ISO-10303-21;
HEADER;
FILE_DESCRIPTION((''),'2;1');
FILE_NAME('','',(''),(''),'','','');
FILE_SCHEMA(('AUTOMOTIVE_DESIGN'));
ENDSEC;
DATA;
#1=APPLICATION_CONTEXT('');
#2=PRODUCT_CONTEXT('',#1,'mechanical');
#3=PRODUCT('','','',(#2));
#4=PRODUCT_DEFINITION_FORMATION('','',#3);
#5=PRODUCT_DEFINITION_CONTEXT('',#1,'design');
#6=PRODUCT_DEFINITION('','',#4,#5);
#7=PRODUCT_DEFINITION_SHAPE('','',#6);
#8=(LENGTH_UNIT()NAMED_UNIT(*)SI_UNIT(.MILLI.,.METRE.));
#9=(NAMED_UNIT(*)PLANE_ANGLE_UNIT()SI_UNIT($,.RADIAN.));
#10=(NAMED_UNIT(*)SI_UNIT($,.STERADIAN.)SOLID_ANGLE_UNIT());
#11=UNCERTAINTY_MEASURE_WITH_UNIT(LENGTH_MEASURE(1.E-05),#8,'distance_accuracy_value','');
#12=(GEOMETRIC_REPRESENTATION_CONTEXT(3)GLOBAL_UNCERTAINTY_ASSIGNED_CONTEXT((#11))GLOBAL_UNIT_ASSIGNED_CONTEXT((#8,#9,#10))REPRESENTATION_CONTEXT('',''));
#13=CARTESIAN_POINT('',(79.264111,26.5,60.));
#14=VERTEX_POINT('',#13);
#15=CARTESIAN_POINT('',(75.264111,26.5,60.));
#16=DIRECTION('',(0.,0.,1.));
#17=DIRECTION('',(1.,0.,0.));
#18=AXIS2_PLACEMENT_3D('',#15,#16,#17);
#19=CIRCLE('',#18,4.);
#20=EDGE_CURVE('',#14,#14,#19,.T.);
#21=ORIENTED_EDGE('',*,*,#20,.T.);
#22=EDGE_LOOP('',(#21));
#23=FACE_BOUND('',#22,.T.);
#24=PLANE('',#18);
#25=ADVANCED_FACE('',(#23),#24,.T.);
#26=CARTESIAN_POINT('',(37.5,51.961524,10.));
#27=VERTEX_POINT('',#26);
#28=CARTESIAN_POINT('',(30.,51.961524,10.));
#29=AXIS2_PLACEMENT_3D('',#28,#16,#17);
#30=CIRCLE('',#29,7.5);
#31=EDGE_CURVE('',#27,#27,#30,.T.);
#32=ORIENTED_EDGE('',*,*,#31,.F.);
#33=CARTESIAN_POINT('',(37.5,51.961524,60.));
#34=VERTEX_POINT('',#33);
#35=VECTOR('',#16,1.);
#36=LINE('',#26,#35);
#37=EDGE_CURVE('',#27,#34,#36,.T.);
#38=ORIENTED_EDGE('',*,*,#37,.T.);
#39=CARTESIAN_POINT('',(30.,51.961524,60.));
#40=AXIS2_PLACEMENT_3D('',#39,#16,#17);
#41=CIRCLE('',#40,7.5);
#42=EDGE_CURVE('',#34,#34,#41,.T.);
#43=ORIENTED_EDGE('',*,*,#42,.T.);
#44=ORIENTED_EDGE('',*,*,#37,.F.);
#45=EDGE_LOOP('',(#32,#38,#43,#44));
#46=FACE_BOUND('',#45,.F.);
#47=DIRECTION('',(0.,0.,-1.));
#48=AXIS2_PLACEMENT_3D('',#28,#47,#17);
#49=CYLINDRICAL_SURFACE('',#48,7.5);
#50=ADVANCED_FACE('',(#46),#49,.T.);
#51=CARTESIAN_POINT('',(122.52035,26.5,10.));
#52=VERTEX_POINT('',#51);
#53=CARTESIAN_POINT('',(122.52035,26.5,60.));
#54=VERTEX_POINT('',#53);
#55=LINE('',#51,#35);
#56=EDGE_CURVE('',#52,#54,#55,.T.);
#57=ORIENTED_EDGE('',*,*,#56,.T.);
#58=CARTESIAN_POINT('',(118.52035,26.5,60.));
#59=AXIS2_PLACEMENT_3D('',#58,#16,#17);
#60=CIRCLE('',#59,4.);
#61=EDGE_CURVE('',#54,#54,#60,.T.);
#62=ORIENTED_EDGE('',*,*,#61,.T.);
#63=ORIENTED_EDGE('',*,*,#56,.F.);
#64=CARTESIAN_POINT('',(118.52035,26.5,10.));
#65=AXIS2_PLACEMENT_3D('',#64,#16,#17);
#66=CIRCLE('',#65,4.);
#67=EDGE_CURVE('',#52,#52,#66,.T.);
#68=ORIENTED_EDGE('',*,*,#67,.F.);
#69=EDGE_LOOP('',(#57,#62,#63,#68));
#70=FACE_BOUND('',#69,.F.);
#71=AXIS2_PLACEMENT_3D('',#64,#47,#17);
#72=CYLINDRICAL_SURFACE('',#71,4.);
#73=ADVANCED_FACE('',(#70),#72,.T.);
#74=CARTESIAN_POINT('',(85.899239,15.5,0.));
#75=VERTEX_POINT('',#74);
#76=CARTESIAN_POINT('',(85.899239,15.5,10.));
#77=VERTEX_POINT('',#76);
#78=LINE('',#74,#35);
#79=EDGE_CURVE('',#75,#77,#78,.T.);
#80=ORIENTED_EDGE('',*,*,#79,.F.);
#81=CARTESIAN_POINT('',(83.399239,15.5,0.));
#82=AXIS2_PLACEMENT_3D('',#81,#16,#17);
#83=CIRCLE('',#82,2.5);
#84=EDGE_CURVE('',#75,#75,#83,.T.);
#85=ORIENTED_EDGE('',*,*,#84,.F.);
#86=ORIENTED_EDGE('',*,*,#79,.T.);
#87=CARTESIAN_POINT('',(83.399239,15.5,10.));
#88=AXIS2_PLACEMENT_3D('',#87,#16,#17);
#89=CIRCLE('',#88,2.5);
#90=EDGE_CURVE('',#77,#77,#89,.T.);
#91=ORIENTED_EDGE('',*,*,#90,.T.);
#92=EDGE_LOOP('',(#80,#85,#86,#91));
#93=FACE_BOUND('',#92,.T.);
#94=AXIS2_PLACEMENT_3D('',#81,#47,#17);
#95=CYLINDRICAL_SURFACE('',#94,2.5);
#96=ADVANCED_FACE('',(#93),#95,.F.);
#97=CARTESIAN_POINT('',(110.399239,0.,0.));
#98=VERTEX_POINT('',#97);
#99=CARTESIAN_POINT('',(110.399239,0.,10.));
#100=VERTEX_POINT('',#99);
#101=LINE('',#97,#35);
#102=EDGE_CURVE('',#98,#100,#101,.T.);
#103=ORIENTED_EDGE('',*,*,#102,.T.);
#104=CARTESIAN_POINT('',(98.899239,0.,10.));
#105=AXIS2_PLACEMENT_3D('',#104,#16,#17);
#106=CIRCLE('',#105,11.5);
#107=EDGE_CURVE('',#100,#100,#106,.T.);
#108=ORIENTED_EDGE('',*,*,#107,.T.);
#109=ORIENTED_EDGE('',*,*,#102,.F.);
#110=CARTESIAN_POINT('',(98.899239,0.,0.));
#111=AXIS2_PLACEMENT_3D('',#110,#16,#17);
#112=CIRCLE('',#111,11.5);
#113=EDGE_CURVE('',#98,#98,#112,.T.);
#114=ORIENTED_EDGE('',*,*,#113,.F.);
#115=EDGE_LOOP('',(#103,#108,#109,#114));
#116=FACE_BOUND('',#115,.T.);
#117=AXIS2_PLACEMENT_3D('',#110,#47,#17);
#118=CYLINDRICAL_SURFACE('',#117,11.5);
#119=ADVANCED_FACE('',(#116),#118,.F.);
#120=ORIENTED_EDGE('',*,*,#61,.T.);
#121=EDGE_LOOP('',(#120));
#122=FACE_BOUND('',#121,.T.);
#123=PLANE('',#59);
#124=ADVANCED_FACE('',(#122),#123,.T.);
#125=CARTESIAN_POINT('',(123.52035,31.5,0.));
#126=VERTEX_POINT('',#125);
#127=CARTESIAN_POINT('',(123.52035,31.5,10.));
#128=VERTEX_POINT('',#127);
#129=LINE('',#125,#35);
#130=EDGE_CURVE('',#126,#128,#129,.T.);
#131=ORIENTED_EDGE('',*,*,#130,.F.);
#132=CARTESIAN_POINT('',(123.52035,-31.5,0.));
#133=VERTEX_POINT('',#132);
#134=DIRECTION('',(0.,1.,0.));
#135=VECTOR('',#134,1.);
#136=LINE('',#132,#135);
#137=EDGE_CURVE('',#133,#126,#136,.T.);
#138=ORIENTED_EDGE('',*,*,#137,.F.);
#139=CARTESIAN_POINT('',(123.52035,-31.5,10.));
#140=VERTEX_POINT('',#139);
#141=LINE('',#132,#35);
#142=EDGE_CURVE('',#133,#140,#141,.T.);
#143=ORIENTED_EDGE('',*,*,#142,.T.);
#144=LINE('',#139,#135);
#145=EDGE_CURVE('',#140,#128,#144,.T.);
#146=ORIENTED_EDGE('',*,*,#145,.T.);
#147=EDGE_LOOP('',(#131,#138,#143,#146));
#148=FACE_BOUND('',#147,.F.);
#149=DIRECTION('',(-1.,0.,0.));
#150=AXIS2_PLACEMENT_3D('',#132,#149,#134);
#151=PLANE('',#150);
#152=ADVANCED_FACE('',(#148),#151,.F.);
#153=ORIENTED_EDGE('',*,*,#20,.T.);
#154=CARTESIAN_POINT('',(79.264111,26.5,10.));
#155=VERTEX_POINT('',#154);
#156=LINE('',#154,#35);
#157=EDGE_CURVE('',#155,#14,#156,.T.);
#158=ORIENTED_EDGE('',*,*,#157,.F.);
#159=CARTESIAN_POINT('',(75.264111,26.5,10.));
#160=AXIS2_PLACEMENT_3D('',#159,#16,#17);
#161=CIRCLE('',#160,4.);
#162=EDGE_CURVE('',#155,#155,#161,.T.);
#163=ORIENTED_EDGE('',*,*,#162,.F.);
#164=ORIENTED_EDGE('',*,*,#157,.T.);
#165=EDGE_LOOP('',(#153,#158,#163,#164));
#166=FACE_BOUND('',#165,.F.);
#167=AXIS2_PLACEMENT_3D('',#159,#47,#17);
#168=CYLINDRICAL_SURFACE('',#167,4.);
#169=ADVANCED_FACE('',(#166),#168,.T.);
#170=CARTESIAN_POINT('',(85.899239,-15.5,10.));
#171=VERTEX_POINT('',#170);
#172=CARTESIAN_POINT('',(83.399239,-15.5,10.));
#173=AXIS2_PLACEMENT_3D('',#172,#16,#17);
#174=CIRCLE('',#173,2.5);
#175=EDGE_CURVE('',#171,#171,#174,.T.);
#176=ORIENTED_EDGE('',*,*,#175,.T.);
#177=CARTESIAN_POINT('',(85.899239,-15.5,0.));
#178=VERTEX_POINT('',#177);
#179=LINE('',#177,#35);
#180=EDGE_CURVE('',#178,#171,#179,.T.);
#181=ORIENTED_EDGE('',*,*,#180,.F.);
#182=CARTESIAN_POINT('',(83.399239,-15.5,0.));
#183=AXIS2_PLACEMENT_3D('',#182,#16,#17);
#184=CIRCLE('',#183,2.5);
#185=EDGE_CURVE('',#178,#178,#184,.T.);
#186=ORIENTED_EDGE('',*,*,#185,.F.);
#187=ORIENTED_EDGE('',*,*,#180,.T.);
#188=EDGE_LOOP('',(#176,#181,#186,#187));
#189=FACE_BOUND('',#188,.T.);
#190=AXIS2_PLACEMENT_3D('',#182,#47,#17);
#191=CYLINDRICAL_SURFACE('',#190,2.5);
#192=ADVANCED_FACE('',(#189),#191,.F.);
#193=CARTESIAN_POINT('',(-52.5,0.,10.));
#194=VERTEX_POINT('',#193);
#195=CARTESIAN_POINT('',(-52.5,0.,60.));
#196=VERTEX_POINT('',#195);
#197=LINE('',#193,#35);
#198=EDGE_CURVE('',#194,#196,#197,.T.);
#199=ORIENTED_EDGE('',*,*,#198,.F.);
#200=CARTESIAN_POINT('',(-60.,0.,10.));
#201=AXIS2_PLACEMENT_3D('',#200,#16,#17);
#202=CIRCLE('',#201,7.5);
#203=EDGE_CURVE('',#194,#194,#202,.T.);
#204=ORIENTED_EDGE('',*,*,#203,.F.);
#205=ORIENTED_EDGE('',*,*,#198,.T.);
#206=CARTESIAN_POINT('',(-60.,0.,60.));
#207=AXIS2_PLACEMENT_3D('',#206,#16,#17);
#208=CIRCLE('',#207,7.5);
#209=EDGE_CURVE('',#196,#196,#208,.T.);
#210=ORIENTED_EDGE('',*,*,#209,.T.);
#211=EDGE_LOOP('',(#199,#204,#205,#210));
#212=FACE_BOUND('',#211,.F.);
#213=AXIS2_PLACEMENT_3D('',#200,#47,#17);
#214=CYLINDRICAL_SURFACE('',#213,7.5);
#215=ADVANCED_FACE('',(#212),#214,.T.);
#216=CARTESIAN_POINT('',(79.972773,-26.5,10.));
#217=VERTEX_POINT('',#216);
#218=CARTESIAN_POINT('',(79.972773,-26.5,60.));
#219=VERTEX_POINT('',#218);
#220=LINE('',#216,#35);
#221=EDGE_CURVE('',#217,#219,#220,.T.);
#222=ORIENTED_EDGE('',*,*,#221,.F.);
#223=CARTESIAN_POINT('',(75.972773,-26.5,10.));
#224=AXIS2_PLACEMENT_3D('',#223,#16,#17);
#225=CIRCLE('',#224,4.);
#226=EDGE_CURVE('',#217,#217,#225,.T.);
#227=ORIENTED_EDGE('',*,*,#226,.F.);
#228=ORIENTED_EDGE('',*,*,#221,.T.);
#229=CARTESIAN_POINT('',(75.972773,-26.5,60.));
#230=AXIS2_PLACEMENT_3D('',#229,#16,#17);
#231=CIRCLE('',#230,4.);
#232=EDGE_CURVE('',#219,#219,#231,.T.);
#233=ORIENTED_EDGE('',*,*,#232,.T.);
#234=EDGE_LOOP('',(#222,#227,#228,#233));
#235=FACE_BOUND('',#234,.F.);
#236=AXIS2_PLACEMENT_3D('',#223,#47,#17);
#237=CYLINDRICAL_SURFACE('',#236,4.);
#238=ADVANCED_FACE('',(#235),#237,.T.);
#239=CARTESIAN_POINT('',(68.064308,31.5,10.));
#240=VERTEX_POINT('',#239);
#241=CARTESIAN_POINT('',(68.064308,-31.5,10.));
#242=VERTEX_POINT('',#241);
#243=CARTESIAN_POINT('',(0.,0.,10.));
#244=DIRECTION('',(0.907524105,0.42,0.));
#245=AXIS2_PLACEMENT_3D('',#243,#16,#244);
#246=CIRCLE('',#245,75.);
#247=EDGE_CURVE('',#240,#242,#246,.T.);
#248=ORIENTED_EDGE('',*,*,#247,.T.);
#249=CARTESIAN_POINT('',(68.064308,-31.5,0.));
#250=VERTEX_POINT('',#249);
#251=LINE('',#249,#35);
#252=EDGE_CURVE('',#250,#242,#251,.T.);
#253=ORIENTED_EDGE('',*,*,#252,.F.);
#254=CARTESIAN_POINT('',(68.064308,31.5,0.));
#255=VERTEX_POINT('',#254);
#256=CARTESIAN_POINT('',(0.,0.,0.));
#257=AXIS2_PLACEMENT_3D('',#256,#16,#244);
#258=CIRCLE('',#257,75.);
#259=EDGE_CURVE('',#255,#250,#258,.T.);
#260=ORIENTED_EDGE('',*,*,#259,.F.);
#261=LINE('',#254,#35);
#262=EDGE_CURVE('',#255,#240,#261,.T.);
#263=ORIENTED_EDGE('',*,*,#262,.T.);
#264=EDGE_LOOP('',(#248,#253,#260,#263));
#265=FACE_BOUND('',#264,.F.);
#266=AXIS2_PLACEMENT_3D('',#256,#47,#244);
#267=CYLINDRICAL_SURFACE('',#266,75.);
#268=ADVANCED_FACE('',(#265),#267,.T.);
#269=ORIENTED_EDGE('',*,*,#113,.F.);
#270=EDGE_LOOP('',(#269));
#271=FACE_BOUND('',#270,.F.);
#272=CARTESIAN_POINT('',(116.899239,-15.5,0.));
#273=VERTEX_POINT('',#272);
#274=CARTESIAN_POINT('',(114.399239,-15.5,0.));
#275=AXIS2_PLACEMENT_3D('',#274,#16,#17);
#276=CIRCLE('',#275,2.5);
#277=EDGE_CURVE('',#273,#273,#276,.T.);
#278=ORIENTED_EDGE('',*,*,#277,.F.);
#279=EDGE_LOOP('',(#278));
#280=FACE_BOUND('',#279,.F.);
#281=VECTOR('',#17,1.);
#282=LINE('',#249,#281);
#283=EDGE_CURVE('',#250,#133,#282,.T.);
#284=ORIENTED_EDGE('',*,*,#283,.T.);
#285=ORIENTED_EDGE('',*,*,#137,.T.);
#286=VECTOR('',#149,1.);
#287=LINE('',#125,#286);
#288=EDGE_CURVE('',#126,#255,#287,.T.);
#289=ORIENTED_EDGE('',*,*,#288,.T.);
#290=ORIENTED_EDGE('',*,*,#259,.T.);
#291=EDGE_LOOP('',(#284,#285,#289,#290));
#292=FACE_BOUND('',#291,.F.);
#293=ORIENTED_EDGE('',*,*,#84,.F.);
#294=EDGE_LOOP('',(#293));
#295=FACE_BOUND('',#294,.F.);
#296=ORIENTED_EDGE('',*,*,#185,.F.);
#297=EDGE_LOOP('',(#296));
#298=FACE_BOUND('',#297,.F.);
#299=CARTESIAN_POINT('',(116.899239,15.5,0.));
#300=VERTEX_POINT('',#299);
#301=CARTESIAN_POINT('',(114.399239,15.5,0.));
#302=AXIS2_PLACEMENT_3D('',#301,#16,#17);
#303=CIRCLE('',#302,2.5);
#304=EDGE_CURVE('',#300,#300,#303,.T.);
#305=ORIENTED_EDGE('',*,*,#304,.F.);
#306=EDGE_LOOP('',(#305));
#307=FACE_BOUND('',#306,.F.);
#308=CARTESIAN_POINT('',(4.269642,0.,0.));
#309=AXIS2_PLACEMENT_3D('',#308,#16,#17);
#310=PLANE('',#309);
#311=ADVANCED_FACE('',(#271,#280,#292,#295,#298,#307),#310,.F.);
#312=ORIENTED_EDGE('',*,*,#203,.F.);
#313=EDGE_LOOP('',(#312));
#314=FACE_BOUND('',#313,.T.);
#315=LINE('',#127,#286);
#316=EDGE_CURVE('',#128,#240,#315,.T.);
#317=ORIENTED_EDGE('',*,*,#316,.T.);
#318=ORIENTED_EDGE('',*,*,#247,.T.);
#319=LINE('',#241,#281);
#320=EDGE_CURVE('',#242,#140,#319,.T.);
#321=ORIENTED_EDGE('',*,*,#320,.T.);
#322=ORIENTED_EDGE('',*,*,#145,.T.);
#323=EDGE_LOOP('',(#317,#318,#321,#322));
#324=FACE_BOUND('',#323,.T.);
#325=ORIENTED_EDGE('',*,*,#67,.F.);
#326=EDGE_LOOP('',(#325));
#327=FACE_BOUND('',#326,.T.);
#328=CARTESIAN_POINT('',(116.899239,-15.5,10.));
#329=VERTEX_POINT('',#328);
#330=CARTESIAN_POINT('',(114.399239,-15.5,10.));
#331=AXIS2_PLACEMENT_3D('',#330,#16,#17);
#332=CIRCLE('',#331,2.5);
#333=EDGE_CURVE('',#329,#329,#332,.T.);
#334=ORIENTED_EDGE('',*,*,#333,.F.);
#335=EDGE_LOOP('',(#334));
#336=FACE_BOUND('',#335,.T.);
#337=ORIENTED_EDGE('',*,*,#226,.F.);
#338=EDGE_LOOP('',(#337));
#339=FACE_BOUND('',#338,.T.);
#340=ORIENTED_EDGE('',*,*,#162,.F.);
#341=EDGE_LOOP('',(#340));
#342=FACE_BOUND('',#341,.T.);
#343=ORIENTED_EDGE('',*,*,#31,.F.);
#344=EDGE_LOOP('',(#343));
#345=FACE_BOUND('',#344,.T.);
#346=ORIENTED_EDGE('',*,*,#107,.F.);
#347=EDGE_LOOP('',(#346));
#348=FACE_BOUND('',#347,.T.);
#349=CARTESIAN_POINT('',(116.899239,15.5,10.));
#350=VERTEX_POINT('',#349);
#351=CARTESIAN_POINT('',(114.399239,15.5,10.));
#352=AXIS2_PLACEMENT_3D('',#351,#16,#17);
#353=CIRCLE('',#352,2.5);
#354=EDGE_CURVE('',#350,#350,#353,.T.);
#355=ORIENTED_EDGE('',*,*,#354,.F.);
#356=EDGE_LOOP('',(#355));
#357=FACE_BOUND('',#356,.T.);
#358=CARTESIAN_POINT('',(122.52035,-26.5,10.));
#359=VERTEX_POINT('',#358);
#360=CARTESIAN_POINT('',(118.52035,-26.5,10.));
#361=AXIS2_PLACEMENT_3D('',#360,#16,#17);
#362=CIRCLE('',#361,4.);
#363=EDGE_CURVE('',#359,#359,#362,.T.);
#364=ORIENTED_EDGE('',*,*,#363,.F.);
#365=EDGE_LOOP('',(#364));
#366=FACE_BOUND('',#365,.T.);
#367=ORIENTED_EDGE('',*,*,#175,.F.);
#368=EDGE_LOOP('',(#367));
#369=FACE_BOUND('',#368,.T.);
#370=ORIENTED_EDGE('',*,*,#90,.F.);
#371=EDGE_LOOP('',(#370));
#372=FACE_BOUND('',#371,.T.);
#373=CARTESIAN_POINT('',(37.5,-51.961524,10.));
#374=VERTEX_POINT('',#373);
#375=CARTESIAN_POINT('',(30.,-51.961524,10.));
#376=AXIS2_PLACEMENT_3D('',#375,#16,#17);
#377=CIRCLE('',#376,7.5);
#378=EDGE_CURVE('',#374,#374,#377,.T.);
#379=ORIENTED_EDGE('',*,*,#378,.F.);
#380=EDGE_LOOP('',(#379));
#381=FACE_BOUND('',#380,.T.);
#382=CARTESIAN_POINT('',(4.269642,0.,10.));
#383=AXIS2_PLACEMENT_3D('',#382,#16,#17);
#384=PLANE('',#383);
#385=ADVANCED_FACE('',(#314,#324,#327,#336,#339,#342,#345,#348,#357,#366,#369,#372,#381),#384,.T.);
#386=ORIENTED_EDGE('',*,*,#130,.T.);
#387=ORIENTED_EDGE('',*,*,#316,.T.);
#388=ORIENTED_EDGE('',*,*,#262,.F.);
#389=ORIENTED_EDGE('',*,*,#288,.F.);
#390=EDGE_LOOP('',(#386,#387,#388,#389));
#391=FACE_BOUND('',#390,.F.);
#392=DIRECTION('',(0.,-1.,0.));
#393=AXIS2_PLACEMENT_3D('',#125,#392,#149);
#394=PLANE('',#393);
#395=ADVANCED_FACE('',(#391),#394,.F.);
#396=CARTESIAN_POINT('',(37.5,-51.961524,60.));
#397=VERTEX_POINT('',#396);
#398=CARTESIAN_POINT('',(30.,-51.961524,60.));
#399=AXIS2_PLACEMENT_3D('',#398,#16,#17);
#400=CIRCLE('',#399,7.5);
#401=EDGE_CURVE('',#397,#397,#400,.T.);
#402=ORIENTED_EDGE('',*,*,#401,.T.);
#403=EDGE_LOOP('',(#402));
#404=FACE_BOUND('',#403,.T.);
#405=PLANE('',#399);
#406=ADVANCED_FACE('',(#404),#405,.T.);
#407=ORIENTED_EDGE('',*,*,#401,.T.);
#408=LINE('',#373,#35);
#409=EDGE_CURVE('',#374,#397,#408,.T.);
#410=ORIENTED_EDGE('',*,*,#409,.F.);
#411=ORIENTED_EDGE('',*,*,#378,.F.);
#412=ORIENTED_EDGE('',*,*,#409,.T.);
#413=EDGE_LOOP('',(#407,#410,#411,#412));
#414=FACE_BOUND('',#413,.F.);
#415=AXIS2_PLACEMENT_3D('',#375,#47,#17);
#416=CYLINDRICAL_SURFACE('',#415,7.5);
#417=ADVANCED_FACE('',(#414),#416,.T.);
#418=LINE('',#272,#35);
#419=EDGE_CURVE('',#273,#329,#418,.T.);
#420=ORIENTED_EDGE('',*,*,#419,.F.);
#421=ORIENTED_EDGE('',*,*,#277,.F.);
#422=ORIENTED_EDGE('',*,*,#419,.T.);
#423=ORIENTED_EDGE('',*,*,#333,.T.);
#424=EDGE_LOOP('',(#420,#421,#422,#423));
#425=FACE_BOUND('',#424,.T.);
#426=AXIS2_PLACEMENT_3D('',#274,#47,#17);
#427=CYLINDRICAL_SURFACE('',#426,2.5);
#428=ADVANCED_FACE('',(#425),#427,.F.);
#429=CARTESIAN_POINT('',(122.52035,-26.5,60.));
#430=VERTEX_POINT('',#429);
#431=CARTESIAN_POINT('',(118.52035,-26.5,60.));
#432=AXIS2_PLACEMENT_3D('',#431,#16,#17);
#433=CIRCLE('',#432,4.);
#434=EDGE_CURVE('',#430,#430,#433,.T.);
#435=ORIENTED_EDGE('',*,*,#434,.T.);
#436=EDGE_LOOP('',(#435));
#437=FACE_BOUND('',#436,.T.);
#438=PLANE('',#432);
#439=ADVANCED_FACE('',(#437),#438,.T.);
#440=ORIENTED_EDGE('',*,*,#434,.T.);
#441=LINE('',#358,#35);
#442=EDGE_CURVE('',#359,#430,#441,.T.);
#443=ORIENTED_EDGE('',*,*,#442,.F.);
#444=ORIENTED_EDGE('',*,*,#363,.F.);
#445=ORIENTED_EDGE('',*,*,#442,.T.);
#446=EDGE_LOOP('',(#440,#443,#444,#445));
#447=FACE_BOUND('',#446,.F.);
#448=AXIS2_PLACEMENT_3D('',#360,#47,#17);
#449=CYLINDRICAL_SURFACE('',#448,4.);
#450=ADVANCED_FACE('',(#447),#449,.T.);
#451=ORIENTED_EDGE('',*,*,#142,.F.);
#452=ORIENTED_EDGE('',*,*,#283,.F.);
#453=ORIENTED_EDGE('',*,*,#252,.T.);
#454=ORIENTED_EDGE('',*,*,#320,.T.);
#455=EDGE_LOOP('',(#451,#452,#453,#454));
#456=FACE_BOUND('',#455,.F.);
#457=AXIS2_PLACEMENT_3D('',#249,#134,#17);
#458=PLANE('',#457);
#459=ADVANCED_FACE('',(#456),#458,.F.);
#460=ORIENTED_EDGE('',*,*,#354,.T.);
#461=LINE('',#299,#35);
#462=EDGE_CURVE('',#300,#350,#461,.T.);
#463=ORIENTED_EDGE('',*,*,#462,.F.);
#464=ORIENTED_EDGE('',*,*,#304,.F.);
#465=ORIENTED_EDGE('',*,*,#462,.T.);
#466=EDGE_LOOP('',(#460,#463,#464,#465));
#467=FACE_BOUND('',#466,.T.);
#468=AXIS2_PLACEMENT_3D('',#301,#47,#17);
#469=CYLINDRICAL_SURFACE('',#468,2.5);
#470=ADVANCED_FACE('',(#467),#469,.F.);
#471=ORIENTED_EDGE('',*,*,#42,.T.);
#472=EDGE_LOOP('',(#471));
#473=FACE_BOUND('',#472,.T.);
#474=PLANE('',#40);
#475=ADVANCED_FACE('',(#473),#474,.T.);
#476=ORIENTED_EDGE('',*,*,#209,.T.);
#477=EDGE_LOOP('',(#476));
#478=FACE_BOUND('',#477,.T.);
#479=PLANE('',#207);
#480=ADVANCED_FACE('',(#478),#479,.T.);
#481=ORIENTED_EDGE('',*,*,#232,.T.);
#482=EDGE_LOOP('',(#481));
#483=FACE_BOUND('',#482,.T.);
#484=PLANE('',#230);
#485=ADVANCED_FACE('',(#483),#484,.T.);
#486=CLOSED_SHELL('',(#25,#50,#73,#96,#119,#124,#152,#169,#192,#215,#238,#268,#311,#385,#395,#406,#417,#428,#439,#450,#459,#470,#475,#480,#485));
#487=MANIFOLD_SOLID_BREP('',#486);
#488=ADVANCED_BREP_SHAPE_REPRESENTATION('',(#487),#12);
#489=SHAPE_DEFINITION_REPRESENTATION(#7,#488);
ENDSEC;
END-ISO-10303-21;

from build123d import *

# Parameters (mm, degrees)
F1_DEPTH = 10
F2_R     = 2.5
F3_DEPTH = 10
F2_R_2   = 11.5
F4_DEPTH = 10
F5_R     = 7.5
F5_R_2   = 4
F6_DEPTH = 50


with BuildPart() as f1:
    # F0 (on Top) → F1 (new body)
    with BuildSketch(Plane.XY):
        with BuildLine():
            ThreePointArc((68.064308, -31.5), (73.245556, -16.127258), (75, 0))
            ThreePointArc((75, 0), (73.245556, 16.127258), (68.064308, 31.5))
            ThreePointArc((68.064308, 31.5), (-75, 0), (68.064308, -31.5))
        make_face()
        with BuildLine():
            ThreePointArc((68.064308, 31.5), (73.245556, 16.127258), (75, 0))
            ThreePointArc((75, 0), (73.245556, -16.127258), (68.064308, -31.5))
            Line((68.064308, -31.5), (123.52035, -31.5))
            Line((123.52035, -31.5), (123.52035, 31.5))
            Line((123.52035, 31.5), (68.064308, 31.5))
        make_face()
    extrude(amount=F1_DEPTH)

    # F2 (on face) → F3 (cut, through all)
    with BuildSketch(Plane.XY):
        with Locations((114.399239, 15.5)):
            Circle(F2_R)
        with Locations((83.399239, 15.5)):
            Circle(F2_R)
        with Locations((83.399239, -15.5)):
            Circle(F2_R)
        with Locations((114.399239, -15.5)):
            Circle(F2_R)
    extrude(amount=F3_DEPTH, mode=Mode.SUBTRACT)

    # F2 (on face) → F4 (cut, through all)
    with BuildSketch(Plane.XY):
        with Locations((98.899239, 0)):
            Circle(F2_R_2)
    extrude(amount=F4_DEPTH, mode=Mode.SUBTRACT)

    # F5 (on face) → F6 (join)
    with BuildSketch(Plane.XY.offset(10)):
        with Locations((-60, 0)):
            Circle(F5_R)
        with Locations((30, 51.961524)):
            Circle(F5_R)
        with Locations((30, -51.961524)):
            Circle(F5_R)
        with Locations((75.972773, -26.5)):
            Circle(F5_R_2)
        with Locations((118.52035, -26.5)):
            Circle(F5_R_2)
        with Locations((75.264111, 26.5)):
            Circle(F5_R_2)
        with Locations((118.52035, 26.5)):
            Circle(F5_R_2)
    extrude(amount=F6_DEPTH)


solid = f1.part
